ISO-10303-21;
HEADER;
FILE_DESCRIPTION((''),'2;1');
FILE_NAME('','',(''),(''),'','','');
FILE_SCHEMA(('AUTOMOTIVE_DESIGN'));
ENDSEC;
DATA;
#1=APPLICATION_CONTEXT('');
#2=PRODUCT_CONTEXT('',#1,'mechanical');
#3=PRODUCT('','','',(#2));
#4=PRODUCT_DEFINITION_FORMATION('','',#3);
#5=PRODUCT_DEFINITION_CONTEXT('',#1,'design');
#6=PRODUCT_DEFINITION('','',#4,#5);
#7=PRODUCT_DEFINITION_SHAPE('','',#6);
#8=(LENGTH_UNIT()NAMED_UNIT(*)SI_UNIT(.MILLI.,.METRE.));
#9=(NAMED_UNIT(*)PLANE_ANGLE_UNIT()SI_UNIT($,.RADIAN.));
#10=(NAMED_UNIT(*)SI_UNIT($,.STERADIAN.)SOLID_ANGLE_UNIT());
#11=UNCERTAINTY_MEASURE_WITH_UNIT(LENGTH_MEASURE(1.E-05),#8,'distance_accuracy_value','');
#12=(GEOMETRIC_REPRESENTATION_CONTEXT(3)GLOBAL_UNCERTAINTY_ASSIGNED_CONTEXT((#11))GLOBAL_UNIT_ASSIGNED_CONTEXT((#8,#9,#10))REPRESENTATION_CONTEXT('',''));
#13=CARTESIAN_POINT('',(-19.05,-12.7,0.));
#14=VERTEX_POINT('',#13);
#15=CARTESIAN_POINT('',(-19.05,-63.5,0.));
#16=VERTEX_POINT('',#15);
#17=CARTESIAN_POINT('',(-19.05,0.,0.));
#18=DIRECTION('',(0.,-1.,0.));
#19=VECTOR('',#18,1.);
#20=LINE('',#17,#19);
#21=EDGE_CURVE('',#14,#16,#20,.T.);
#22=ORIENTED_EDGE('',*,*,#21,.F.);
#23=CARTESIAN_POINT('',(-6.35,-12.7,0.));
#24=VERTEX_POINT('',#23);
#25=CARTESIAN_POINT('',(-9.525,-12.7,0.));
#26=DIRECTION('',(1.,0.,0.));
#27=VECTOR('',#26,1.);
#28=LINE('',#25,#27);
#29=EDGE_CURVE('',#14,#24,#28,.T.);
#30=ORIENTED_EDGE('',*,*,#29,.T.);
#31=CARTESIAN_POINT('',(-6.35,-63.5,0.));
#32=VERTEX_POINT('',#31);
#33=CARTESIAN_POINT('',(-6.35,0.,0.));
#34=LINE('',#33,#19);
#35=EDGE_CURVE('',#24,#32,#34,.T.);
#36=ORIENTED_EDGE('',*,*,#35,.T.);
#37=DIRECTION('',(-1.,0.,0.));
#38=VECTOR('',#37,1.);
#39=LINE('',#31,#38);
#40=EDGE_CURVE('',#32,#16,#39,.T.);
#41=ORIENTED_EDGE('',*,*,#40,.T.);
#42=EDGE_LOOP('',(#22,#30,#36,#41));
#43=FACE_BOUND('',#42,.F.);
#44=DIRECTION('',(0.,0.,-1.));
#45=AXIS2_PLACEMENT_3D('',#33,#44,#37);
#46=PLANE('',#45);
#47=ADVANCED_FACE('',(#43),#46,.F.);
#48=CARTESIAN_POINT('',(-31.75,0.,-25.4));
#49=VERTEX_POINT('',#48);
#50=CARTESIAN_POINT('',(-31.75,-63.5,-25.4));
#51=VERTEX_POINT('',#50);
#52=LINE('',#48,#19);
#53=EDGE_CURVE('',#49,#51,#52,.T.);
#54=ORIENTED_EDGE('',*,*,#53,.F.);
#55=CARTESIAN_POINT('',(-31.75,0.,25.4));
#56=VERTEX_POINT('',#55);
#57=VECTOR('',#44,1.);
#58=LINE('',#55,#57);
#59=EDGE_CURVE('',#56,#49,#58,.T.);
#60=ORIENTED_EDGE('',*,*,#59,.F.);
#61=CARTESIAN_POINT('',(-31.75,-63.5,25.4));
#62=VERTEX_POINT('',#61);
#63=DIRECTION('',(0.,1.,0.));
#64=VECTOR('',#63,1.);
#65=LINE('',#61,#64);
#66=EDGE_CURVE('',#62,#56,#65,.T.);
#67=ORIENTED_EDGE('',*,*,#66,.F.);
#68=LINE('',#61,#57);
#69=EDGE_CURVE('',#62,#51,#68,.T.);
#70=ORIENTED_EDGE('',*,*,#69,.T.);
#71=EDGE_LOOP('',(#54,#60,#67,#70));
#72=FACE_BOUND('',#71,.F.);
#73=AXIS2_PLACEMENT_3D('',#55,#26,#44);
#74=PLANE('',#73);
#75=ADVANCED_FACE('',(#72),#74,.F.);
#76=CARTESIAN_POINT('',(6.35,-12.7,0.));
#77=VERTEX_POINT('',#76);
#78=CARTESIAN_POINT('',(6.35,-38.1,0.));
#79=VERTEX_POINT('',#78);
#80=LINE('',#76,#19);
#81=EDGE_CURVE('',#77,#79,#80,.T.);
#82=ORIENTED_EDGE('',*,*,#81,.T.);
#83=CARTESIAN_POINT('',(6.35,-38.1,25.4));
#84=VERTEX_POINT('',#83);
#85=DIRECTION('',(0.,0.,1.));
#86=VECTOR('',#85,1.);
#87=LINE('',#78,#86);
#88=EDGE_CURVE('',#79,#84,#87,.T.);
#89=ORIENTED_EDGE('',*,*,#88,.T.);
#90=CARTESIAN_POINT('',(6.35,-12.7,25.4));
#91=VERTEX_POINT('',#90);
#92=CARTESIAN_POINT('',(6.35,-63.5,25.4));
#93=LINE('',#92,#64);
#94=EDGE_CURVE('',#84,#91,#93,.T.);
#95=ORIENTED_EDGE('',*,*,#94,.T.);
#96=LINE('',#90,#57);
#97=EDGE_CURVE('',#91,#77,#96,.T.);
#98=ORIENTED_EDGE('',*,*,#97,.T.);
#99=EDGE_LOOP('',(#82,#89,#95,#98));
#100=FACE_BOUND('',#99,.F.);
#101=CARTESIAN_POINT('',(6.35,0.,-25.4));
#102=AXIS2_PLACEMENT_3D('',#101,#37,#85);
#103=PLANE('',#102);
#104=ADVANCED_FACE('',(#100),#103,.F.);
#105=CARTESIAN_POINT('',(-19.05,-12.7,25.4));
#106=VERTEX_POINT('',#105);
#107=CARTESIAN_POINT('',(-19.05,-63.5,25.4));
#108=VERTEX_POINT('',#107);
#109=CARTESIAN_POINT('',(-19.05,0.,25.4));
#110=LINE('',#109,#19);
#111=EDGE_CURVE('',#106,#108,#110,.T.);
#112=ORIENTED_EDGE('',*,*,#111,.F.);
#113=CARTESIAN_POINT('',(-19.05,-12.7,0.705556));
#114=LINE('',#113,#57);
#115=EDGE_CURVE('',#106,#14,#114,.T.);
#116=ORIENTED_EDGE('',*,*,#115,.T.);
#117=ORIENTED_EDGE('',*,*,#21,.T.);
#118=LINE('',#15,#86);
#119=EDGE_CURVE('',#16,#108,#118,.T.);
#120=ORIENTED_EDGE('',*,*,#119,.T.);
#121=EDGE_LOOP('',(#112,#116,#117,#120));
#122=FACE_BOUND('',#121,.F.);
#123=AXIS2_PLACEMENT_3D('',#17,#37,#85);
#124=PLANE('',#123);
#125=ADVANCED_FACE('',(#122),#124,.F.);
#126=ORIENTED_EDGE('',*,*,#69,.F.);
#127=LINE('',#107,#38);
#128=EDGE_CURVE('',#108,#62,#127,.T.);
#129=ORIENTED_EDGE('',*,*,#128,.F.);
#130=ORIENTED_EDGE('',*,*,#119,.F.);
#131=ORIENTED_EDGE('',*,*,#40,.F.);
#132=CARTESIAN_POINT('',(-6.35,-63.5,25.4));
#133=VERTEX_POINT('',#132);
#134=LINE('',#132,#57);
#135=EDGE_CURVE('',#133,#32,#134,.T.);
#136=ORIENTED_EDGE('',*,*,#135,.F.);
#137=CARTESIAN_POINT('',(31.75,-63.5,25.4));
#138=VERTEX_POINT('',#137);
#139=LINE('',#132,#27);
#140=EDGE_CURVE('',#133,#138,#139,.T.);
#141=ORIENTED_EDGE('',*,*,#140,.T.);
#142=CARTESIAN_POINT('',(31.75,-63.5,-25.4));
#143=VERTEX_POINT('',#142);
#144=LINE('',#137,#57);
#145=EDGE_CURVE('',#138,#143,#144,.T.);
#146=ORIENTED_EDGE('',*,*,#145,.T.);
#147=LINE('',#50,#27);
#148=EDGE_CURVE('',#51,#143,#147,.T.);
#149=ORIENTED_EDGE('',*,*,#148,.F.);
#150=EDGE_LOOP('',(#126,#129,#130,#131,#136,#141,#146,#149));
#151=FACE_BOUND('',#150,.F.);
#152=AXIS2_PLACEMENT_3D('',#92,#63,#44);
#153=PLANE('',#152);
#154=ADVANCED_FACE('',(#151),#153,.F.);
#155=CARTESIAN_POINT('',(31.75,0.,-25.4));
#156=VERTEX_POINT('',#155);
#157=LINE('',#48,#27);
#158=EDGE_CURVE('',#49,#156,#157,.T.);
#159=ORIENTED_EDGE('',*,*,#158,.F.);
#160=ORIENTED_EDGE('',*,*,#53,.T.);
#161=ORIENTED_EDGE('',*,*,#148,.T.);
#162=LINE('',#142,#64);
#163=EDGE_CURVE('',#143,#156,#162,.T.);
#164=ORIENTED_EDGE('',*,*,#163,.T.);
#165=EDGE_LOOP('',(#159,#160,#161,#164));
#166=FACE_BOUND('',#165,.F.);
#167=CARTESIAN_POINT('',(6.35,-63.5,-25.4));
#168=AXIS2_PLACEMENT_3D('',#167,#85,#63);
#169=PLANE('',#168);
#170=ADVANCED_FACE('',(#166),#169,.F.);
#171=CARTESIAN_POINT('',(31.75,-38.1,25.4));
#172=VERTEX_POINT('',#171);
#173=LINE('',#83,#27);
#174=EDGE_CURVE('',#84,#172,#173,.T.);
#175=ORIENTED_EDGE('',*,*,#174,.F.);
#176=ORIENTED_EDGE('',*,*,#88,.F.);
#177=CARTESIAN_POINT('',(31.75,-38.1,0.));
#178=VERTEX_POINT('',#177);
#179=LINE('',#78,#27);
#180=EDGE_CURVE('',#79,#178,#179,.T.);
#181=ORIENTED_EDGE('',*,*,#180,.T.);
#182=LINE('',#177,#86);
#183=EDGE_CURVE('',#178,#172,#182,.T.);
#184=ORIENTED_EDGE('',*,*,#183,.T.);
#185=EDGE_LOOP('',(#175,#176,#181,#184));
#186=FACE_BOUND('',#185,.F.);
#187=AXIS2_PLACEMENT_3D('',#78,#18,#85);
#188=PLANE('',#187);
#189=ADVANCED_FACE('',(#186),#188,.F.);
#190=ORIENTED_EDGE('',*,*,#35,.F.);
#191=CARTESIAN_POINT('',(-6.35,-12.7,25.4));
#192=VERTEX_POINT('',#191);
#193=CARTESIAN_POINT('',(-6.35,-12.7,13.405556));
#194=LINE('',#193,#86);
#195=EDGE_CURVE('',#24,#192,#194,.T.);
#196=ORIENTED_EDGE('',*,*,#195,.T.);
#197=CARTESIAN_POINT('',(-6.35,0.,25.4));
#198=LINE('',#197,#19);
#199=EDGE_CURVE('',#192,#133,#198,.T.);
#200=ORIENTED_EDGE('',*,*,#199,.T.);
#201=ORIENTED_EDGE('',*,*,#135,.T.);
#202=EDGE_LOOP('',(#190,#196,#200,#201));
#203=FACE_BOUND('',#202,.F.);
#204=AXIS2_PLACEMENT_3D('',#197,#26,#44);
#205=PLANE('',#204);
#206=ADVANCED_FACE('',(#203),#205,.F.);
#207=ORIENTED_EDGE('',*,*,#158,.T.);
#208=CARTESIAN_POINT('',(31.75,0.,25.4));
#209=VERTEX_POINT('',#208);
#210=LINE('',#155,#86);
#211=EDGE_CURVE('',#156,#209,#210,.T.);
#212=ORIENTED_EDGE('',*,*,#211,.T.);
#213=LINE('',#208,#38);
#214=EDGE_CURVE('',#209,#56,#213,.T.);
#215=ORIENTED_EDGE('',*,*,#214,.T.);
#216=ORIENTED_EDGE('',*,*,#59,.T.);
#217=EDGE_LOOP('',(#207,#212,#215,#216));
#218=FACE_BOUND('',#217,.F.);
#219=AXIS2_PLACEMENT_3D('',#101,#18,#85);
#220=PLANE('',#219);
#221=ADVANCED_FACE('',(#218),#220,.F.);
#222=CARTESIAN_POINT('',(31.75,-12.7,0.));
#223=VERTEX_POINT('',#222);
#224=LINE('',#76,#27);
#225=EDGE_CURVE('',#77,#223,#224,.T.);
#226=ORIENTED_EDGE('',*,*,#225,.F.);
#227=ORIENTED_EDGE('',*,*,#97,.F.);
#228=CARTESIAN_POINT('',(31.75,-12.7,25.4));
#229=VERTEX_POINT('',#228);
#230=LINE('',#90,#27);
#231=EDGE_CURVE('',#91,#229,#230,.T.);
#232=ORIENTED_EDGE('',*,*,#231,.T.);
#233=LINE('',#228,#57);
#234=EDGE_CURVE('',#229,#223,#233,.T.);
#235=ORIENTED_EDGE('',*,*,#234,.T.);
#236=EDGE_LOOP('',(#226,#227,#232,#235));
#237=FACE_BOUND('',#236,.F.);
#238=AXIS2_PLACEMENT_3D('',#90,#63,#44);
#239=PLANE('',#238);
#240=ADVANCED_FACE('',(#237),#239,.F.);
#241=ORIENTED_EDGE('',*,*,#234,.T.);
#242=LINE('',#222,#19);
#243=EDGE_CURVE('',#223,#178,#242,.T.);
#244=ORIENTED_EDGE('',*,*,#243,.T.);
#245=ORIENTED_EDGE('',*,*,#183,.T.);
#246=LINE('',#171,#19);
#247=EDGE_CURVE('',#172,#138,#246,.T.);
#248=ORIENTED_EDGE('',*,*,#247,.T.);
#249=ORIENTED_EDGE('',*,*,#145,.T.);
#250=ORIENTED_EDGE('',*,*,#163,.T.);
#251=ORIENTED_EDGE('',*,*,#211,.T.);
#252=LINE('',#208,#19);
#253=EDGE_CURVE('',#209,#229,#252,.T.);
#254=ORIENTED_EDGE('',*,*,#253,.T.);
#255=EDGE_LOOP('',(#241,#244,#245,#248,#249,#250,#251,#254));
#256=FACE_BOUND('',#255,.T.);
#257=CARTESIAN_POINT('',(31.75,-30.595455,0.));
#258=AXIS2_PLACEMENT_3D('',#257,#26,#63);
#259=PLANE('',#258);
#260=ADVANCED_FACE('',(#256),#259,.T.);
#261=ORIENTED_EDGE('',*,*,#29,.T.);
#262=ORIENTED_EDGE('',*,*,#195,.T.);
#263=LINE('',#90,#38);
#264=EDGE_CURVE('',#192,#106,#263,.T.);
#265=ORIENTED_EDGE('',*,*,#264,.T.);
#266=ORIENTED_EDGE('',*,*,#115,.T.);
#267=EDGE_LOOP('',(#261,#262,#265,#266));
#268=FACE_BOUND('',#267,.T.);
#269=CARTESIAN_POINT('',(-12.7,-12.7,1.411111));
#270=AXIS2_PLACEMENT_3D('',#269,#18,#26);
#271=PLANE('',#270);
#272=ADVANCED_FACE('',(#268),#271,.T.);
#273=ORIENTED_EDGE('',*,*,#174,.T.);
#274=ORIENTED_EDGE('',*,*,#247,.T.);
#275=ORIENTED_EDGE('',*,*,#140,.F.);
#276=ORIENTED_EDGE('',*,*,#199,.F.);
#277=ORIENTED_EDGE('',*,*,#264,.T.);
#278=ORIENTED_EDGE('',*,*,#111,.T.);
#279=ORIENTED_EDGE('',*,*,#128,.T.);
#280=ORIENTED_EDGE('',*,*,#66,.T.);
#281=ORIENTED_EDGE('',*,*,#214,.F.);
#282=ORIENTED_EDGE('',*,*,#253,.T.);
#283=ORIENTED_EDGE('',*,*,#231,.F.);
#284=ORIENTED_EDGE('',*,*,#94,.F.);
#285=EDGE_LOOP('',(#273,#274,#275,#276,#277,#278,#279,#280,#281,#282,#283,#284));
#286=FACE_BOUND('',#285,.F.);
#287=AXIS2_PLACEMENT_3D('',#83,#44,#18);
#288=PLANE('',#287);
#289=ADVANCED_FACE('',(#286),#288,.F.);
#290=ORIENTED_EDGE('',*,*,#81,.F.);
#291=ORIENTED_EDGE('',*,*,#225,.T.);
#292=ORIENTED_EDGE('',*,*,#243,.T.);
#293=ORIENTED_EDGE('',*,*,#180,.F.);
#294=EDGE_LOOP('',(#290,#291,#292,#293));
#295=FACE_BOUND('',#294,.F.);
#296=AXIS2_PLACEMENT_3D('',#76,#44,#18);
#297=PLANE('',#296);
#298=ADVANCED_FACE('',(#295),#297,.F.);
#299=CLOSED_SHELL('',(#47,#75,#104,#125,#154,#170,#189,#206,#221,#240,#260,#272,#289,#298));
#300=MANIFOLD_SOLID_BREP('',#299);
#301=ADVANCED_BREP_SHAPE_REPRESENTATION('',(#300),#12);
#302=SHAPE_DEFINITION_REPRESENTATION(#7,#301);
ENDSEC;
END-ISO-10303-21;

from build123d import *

# Parameters (mm, degrees)
F0_W     = 12.7
F0_H     = 25.4
F1_DEPTH = 12.7
F2_DEPTH = 63.5
F4_DEPTH = 25.4


with BuildPart() as f1:
    # F0 (on Front) → F1 (new body)
    with BuildSketch(Plane.XZ):
        Polygon((-19.05, 25.4), (-31.75, 25.4), (-31.75, -25.4), (6.35, -25.4), (6.35, 25.4), (-6.35, 25.4), (-6.35, 0), (-19.05, 0), align=None)
        with Locations((-12.7, 12.7)):
            Rectangle(F0_W, F0_H)
    extrude(amount=F1_DEPTH)

    # F0 (on Front) → F2 (join)
    with BuildSketch(Plane.XZ):
        Polygon((-19.05, 25.4), (-31.75, 25.4), (-31.75, -25.4), (6.35, -25.4), (6.35, 25.4), (-6.35, 25.4), (-6.35, 0), (-19.05, 0), align=None)
    extrude(amount=F2_DEPTH)

    # F3 (on face) → F4 (join)
    with BuildSketch(Plane.YZ.offset(6.35)):
        Polygon((-38.1, 0), (-38.1, 25.4), (-63.5, 25.4), (-63.5, -25.4), (0, -25.4), (0, 25.4), (-12.7, 25.4), (-12.7, 0), align=None)
    extrude(amount=F4_DEPTH)


solid = f1.part
